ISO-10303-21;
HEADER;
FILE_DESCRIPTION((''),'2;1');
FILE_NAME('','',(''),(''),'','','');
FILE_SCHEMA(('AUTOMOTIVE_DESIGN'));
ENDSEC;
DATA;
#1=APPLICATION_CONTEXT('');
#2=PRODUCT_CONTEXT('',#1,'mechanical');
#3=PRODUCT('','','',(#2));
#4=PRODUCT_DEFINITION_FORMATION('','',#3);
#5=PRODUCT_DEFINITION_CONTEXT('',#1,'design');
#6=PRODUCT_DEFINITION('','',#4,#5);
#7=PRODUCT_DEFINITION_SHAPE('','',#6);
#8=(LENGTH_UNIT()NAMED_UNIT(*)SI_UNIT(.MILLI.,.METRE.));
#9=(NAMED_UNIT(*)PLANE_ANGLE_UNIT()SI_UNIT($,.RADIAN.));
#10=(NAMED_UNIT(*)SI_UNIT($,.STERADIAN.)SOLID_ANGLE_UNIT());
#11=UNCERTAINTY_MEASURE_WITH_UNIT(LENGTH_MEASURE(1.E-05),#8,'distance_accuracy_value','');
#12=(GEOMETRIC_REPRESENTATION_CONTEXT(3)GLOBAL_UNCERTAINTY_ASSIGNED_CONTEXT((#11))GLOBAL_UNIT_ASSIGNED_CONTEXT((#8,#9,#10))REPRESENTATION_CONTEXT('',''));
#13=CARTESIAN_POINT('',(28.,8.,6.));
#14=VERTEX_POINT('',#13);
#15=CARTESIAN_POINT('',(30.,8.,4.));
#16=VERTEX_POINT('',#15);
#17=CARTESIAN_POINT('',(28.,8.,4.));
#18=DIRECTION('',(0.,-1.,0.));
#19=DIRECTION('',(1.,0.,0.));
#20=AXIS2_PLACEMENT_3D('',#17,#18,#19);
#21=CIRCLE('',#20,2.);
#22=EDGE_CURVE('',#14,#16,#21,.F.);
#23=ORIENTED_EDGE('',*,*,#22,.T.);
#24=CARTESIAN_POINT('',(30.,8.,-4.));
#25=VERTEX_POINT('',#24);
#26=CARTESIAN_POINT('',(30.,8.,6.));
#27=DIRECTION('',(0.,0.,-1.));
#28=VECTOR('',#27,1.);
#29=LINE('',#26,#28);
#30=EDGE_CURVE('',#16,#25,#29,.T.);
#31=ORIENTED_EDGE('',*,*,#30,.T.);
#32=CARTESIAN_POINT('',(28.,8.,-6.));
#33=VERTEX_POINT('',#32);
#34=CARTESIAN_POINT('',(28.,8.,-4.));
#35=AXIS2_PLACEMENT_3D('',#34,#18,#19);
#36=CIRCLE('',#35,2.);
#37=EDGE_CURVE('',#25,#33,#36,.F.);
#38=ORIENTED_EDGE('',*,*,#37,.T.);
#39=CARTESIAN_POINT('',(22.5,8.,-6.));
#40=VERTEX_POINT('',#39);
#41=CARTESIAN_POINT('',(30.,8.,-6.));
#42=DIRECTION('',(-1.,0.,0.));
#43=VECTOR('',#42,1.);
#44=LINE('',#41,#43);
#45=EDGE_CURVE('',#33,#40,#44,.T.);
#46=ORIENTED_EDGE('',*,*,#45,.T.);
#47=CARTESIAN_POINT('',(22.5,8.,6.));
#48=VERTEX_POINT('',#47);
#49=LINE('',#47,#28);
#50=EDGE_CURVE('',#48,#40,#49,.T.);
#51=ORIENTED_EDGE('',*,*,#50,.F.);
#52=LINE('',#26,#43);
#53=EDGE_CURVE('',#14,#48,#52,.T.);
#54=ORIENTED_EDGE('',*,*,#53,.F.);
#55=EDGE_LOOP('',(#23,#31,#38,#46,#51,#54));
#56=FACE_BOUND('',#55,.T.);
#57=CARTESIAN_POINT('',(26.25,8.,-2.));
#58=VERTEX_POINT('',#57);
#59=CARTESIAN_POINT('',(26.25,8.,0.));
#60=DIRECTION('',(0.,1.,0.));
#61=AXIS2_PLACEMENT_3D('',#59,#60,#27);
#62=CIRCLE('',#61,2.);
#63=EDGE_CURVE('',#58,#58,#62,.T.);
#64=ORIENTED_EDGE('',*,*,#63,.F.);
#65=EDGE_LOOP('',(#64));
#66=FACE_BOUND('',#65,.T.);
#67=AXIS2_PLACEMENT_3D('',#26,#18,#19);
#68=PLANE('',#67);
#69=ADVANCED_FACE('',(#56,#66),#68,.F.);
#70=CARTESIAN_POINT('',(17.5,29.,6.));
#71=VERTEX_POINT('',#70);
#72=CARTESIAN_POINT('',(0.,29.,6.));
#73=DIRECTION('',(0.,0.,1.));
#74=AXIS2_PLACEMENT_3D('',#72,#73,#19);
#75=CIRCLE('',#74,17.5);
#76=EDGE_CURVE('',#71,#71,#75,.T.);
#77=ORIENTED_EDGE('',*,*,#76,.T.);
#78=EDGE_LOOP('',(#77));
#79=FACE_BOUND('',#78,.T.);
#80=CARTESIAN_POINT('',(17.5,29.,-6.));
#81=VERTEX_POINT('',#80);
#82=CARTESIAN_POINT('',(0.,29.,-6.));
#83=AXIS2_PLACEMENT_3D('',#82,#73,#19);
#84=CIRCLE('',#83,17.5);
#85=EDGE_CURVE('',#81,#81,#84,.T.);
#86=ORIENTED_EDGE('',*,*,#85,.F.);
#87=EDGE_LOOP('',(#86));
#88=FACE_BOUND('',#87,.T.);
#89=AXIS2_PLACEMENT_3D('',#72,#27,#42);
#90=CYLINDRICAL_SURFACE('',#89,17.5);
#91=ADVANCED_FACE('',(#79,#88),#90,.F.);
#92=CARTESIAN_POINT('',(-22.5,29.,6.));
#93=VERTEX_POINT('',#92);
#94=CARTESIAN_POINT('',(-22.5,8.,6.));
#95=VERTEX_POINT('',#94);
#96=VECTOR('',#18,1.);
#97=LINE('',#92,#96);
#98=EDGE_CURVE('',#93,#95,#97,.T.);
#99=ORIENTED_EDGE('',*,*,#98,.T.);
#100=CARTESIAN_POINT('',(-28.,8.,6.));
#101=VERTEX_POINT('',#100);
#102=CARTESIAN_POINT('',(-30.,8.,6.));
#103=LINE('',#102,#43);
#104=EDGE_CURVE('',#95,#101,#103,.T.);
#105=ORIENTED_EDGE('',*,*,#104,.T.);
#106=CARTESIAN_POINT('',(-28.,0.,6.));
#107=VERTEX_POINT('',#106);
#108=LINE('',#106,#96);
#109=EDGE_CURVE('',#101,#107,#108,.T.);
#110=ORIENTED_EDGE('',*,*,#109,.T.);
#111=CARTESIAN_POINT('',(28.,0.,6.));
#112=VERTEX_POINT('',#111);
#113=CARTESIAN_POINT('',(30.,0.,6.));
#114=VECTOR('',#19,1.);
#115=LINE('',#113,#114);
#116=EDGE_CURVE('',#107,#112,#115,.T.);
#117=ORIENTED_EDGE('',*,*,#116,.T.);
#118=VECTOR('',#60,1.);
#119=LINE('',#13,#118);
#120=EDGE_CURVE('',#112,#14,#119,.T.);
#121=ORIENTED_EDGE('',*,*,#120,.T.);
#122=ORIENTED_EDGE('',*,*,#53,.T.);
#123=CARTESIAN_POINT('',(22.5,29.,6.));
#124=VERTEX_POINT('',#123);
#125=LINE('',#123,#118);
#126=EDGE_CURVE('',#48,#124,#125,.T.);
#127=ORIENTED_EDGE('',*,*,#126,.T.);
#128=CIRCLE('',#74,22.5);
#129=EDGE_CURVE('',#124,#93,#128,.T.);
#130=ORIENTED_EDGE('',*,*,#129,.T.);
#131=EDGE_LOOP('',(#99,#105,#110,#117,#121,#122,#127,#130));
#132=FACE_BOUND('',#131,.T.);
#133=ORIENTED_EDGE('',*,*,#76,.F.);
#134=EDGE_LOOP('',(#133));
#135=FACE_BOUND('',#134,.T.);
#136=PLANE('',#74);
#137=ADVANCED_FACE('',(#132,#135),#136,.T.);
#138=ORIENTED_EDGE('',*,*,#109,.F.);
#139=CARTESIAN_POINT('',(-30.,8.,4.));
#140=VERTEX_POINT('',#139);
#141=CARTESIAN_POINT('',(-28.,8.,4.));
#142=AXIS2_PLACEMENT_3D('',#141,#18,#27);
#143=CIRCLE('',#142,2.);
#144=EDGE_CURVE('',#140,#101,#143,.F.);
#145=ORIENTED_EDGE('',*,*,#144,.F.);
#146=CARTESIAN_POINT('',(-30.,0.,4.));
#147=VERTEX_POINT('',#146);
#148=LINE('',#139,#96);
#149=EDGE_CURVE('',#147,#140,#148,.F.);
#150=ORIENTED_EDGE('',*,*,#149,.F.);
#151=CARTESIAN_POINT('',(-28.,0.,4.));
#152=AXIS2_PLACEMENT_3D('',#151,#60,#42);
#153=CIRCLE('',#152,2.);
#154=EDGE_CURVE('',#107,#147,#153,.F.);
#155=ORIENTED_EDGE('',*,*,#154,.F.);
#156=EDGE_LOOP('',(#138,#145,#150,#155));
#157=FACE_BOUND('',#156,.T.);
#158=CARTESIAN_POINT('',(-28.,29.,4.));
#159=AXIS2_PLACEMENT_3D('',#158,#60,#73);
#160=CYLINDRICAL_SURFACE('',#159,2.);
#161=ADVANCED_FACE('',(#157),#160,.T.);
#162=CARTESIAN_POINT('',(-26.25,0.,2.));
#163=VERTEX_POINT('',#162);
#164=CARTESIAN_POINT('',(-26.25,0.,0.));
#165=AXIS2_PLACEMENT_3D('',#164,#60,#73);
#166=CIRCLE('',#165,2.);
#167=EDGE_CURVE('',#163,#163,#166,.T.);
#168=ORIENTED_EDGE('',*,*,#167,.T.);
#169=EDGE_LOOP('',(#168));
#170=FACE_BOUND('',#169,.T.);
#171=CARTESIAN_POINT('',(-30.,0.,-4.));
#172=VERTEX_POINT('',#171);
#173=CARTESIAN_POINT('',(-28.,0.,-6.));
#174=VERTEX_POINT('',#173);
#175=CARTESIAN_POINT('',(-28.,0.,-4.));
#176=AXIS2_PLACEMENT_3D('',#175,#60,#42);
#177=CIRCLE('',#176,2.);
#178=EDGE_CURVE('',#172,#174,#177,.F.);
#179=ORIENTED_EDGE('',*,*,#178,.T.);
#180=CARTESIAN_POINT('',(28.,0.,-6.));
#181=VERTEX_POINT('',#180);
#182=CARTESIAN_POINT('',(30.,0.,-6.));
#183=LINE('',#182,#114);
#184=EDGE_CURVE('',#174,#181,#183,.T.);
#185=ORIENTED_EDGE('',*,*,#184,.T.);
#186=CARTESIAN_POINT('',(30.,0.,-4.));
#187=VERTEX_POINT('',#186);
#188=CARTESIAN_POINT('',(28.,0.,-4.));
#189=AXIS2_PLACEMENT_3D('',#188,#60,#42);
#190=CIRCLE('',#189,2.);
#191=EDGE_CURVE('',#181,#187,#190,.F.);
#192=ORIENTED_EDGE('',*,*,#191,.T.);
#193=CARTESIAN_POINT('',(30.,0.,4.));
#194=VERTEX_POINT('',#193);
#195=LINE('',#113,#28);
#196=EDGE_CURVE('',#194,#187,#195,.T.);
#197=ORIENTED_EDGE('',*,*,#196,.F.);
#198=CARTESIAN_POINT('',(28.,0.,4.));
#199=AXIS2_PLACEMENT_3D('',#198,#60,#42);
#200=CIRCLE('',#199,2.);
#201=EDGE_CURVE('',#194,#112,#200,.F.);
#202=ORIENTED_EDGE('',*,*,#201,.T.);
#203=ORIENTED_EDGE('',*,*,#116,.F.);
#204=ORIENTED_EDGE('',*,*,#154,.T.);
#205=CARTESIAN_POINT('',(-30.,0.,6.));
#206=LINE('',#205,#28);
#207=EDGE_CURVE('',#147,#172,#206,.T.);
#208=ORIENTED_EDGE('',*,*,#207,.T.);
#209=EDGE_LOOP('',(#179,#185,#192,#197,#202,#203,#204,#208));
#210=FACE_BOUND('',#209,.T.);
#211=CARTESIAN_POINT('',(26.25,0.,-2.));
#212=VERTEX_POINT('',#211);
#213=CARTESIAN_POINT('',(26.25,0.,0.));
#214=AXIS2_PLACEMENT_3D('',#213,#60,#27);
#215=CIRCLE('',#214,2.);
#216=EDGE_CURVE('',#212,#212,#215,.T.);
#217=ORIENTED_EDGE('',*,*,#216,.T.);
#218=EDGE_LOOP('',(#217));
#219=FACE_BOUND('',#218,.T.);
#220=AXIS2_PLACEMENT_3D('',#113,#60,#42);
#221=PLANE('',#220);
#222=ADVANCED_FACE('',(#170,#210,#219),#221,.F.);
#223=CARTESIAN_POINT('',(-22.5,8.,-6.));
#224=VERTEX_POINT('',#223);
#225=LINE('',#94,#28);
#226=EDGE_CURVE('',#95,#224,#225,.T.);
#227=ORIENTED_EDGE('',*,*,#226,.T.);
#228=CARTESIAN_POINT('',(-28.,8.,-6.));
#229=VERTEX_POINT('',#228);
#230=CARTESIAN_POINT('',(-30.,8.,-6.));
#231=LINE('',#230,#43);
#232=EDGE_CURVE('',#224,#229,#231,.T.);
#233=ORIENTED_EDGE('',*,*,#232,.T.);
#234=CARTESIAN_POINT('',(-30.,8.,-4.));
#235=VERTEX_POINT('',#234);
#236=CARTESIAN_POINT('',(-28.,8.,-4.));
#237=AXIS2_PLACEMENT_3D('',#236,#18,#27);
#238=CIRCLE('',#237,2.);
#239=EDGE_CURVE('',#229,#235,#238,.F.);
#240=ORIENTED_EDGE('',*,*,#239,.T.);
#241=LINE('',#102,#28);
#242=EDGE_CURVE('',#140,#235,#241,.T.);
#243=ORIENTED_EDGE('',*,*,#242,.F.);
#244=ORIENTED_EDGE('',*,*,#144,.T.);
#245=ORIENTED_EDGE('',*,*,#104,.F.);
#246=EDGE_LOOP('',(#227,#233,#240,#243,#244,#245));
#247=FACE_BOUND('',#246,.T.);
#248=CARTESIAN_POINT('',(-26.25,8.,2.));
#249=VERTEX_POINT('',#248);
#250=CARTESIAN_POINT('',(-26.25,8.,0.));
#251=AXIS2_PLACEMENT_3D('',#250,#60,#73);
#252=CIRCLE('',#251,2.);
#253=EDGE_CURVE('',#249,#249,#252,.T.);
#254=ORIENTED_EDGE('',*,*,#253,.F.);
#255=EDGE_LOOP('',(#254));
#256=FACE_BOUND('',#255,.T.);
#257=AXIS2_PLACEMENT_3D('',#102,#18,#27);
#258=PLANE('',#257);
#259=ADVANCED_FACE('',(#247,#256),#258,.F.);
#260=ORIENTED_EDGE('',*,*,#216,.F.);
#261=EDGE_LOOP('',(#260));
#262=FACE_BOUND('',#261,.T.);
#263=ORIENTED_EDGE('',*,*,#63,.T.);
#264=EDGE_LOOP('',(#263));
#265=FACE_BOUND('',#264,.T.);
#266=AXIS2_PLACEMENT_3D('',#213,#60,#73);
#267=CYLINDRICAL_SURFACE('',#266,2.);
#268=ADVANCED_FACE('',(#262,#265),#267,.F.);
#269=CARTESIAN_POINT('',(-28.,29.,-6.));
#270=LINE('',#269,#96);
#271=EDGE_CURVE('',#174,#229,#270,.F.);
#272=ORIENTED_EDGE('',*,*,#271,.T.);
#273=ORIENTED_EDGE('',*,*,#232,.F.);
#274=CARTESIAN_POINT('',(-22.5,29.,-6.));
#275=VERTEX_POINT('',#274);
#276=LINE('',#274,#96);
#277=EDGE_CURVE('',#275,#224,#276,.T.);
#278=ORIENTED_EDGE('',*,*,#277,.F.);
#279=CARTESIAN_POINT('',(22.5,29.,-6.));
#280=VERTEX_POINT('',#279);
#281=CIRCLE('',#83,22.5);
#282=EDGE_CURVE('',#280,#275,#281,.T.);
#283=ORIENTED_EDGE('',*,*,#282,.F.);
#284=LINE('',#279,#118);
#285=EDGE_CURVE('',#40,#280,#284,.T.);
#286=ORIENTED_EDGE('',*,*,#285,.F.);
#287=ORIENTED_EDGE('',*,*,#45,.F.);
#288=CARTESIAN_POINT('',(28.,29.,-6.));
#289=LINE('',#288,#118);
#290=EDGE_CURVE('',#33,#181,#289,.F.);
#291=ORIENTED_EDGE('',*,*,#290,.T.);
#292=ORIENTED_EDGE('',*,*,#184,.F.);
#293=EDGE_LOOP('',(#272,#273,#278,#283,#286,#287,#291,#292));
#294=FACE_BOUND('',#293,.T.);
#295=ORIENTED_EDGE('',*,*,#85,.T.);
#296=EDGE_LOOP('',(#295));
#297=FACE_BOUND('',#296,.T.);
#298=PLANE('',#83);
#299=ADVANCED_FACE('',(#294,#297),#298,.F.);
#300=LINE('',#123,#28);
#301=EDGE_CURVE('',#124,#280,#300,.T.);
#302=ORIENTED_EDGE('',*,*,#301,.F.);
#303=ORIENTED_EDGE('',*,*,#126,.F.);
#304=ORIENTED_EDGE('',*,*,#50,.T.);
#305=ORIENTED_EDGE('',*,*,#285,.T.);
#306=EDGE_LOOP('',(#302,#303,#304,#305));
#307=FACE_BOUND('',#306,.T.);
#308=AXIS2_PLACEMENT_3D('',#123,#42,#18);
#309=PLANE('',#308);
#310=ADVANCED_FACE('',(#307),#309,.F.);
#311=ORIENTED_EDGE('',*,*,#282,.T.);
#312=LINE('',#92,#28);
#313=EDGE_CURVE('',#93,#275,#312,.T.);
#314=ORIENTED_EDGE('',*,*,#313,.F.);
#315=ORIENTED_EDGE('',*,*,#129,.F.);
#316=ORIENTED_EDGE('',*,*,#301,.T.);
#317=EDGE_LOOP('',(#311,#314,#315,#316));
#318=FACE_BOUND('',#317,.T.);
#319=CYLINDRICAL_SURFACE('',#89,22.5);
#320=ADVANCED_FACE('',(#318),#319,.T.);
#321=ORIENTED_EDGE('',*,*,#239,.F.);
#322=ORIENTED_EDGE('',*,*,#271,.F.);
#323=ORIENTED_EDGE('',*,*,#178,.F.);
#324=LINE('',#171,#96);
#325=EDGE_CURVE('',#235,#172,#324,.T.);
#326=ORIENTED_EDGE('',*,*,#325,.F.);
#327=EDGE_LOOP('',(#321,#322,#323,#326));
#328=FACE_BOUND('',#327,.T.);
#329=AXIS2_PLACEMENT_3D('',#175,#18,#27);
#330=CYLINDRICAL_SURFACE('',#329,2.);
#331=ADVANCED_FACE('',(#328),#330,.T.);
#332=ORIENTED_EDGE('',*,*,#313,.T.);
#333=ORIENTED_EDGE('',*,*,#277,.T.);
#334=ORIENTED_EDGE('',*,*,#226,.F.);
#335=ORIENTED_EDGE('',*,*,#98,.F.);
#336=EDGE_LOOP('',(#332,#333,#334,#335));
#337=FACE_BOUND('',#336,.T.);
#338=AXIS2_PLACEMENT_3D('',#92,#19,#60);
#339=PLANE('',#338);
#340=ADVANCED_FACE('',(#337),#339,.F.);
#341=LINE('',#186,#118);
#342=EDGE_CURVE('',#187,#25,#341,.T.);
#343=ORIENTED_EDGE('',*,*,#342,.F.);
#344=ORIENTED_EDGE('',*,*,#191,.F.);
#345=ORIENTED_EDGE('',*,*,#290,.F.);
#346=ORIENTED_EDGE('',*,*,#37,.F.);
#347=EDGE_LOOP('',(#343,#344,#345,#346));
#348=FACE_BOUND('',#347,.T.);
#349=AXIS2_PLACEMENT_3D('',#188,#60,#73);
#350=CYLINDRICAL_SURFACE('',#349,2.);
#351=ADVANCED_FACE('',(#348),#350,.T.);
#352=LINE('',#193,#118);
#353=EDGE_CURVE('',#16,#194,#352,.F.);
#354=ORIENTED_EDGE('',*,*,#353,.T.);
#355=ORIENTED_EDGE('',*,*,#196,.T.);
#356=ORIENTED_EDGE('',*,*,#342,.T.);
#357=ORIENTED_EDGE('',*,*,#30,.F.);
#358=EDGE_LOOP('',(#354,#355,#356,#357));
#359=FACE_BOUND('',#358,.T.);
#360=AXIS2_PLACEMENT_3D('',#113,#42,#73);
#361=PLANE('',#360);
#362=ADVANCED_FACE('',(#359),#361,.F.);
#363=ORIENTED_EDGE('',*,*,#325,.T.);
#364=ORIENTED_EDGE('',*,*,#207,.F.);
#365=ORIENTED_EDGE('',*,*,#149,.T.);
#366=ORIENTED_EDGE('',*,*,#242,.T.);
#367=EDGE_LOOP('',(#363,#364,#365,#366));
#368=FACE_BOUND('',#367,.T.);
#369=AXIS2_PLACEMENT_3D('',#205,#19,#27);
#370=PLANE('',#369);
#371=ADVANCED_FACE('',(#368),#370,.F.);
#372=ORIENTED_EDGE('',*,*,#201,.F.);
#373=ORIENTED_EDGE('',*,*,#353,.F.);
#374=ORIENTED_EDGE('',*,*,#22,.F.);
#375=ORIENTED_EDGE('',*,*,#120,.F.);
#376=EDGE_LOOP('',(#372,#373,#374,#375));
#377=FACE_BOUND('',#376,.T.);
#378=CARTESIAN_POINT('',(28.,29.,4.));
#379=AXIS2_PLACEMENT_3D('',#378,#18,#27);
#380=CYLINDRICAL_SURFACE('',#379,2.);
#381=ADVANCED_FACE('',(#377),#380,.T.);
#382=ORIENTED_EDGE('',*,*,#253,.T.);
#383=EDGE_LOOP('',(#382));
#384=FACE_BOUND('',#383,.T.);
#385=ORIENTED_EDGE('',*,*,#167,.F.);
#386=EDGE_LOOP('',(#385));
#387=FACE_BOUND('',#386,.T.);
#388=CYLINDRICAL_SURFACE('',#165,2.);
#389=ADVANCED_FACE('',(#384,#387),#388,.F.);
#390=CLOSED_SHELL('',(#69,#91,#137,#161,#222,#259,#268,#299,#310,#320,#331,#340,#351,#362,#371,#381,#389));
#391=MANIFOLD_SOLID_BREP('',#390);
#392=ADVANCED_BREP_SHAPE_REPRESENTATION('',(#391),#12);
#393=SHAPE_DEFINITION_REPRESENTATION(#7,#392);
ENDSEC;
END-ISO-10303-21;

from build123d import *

# Parameters (mm, degrees)
CROQUIS1_R              = 17.5
SALIENTE_EXTRUIR1_DEPTH = 6
CROQUIS2_R              = 2
CORTAR_EXTRUIR1_DEPTH   = 54.181293704
REDONDEO1_R             = 2


with BuildPart() as part:
    # Croquis1 → Saliente-Extruir1 (new, symmetric)
    with BuildSketch(Plane.XY):
        with BuildLine():
            Line((30, 0), (-30, 0))
            Line((-30, 0), (-30, 8))
            Line((-30, 8), (-22.5, 8))
            Line((-22.5, 8), (-22.5, 29))
            ThreePointArc((-22.5, 29), (0, 51.5), (22.5, 29))
            Line((22.5, 29), (22.5, 8))
            Line((22.5, 8), (30, 8))
            Line((30, 8), (30, 0))
        make_face()
        with Locations((0, 29)):
            Circle(CROQUIS1_R, mode=Mode.SUBTRACT)
    extrude(amount=SALIENTE_EXTRUIR1_DEPTH, both=True)

    # Croquis2 → Cortar-Extruir1 (cut, through all)
    with BuildSketch(Plane(origin=(0, 8, 0), x_dir=(1, 0, 0), z_dir=(0, 1, 0))):
        with Locations(Location((-26.25, 0, 0), (0, 0, 270))):
            Circle(CROQUIS2_R)
        with Locations(Location((26.25, 0, 0), (0, 0, 90))):
            Circle(CROQUIS2_R)
    extrude(amount=-CORTAR_EXTRUIR1_DEPTH, mode=Mode.SUBTRACT)

    # Redondeo1
    redondeo1_edges = [part.edges().sort_by_distance(p)[0] for p in [
        (30, 4, 6),
        (-30, 4, -6),
        (-30, 4, 6),
        (30, 4, -6),
    ]]
    fillet(redondeo1_edges, radius=REDONDEO1_R)


solid = part.part
